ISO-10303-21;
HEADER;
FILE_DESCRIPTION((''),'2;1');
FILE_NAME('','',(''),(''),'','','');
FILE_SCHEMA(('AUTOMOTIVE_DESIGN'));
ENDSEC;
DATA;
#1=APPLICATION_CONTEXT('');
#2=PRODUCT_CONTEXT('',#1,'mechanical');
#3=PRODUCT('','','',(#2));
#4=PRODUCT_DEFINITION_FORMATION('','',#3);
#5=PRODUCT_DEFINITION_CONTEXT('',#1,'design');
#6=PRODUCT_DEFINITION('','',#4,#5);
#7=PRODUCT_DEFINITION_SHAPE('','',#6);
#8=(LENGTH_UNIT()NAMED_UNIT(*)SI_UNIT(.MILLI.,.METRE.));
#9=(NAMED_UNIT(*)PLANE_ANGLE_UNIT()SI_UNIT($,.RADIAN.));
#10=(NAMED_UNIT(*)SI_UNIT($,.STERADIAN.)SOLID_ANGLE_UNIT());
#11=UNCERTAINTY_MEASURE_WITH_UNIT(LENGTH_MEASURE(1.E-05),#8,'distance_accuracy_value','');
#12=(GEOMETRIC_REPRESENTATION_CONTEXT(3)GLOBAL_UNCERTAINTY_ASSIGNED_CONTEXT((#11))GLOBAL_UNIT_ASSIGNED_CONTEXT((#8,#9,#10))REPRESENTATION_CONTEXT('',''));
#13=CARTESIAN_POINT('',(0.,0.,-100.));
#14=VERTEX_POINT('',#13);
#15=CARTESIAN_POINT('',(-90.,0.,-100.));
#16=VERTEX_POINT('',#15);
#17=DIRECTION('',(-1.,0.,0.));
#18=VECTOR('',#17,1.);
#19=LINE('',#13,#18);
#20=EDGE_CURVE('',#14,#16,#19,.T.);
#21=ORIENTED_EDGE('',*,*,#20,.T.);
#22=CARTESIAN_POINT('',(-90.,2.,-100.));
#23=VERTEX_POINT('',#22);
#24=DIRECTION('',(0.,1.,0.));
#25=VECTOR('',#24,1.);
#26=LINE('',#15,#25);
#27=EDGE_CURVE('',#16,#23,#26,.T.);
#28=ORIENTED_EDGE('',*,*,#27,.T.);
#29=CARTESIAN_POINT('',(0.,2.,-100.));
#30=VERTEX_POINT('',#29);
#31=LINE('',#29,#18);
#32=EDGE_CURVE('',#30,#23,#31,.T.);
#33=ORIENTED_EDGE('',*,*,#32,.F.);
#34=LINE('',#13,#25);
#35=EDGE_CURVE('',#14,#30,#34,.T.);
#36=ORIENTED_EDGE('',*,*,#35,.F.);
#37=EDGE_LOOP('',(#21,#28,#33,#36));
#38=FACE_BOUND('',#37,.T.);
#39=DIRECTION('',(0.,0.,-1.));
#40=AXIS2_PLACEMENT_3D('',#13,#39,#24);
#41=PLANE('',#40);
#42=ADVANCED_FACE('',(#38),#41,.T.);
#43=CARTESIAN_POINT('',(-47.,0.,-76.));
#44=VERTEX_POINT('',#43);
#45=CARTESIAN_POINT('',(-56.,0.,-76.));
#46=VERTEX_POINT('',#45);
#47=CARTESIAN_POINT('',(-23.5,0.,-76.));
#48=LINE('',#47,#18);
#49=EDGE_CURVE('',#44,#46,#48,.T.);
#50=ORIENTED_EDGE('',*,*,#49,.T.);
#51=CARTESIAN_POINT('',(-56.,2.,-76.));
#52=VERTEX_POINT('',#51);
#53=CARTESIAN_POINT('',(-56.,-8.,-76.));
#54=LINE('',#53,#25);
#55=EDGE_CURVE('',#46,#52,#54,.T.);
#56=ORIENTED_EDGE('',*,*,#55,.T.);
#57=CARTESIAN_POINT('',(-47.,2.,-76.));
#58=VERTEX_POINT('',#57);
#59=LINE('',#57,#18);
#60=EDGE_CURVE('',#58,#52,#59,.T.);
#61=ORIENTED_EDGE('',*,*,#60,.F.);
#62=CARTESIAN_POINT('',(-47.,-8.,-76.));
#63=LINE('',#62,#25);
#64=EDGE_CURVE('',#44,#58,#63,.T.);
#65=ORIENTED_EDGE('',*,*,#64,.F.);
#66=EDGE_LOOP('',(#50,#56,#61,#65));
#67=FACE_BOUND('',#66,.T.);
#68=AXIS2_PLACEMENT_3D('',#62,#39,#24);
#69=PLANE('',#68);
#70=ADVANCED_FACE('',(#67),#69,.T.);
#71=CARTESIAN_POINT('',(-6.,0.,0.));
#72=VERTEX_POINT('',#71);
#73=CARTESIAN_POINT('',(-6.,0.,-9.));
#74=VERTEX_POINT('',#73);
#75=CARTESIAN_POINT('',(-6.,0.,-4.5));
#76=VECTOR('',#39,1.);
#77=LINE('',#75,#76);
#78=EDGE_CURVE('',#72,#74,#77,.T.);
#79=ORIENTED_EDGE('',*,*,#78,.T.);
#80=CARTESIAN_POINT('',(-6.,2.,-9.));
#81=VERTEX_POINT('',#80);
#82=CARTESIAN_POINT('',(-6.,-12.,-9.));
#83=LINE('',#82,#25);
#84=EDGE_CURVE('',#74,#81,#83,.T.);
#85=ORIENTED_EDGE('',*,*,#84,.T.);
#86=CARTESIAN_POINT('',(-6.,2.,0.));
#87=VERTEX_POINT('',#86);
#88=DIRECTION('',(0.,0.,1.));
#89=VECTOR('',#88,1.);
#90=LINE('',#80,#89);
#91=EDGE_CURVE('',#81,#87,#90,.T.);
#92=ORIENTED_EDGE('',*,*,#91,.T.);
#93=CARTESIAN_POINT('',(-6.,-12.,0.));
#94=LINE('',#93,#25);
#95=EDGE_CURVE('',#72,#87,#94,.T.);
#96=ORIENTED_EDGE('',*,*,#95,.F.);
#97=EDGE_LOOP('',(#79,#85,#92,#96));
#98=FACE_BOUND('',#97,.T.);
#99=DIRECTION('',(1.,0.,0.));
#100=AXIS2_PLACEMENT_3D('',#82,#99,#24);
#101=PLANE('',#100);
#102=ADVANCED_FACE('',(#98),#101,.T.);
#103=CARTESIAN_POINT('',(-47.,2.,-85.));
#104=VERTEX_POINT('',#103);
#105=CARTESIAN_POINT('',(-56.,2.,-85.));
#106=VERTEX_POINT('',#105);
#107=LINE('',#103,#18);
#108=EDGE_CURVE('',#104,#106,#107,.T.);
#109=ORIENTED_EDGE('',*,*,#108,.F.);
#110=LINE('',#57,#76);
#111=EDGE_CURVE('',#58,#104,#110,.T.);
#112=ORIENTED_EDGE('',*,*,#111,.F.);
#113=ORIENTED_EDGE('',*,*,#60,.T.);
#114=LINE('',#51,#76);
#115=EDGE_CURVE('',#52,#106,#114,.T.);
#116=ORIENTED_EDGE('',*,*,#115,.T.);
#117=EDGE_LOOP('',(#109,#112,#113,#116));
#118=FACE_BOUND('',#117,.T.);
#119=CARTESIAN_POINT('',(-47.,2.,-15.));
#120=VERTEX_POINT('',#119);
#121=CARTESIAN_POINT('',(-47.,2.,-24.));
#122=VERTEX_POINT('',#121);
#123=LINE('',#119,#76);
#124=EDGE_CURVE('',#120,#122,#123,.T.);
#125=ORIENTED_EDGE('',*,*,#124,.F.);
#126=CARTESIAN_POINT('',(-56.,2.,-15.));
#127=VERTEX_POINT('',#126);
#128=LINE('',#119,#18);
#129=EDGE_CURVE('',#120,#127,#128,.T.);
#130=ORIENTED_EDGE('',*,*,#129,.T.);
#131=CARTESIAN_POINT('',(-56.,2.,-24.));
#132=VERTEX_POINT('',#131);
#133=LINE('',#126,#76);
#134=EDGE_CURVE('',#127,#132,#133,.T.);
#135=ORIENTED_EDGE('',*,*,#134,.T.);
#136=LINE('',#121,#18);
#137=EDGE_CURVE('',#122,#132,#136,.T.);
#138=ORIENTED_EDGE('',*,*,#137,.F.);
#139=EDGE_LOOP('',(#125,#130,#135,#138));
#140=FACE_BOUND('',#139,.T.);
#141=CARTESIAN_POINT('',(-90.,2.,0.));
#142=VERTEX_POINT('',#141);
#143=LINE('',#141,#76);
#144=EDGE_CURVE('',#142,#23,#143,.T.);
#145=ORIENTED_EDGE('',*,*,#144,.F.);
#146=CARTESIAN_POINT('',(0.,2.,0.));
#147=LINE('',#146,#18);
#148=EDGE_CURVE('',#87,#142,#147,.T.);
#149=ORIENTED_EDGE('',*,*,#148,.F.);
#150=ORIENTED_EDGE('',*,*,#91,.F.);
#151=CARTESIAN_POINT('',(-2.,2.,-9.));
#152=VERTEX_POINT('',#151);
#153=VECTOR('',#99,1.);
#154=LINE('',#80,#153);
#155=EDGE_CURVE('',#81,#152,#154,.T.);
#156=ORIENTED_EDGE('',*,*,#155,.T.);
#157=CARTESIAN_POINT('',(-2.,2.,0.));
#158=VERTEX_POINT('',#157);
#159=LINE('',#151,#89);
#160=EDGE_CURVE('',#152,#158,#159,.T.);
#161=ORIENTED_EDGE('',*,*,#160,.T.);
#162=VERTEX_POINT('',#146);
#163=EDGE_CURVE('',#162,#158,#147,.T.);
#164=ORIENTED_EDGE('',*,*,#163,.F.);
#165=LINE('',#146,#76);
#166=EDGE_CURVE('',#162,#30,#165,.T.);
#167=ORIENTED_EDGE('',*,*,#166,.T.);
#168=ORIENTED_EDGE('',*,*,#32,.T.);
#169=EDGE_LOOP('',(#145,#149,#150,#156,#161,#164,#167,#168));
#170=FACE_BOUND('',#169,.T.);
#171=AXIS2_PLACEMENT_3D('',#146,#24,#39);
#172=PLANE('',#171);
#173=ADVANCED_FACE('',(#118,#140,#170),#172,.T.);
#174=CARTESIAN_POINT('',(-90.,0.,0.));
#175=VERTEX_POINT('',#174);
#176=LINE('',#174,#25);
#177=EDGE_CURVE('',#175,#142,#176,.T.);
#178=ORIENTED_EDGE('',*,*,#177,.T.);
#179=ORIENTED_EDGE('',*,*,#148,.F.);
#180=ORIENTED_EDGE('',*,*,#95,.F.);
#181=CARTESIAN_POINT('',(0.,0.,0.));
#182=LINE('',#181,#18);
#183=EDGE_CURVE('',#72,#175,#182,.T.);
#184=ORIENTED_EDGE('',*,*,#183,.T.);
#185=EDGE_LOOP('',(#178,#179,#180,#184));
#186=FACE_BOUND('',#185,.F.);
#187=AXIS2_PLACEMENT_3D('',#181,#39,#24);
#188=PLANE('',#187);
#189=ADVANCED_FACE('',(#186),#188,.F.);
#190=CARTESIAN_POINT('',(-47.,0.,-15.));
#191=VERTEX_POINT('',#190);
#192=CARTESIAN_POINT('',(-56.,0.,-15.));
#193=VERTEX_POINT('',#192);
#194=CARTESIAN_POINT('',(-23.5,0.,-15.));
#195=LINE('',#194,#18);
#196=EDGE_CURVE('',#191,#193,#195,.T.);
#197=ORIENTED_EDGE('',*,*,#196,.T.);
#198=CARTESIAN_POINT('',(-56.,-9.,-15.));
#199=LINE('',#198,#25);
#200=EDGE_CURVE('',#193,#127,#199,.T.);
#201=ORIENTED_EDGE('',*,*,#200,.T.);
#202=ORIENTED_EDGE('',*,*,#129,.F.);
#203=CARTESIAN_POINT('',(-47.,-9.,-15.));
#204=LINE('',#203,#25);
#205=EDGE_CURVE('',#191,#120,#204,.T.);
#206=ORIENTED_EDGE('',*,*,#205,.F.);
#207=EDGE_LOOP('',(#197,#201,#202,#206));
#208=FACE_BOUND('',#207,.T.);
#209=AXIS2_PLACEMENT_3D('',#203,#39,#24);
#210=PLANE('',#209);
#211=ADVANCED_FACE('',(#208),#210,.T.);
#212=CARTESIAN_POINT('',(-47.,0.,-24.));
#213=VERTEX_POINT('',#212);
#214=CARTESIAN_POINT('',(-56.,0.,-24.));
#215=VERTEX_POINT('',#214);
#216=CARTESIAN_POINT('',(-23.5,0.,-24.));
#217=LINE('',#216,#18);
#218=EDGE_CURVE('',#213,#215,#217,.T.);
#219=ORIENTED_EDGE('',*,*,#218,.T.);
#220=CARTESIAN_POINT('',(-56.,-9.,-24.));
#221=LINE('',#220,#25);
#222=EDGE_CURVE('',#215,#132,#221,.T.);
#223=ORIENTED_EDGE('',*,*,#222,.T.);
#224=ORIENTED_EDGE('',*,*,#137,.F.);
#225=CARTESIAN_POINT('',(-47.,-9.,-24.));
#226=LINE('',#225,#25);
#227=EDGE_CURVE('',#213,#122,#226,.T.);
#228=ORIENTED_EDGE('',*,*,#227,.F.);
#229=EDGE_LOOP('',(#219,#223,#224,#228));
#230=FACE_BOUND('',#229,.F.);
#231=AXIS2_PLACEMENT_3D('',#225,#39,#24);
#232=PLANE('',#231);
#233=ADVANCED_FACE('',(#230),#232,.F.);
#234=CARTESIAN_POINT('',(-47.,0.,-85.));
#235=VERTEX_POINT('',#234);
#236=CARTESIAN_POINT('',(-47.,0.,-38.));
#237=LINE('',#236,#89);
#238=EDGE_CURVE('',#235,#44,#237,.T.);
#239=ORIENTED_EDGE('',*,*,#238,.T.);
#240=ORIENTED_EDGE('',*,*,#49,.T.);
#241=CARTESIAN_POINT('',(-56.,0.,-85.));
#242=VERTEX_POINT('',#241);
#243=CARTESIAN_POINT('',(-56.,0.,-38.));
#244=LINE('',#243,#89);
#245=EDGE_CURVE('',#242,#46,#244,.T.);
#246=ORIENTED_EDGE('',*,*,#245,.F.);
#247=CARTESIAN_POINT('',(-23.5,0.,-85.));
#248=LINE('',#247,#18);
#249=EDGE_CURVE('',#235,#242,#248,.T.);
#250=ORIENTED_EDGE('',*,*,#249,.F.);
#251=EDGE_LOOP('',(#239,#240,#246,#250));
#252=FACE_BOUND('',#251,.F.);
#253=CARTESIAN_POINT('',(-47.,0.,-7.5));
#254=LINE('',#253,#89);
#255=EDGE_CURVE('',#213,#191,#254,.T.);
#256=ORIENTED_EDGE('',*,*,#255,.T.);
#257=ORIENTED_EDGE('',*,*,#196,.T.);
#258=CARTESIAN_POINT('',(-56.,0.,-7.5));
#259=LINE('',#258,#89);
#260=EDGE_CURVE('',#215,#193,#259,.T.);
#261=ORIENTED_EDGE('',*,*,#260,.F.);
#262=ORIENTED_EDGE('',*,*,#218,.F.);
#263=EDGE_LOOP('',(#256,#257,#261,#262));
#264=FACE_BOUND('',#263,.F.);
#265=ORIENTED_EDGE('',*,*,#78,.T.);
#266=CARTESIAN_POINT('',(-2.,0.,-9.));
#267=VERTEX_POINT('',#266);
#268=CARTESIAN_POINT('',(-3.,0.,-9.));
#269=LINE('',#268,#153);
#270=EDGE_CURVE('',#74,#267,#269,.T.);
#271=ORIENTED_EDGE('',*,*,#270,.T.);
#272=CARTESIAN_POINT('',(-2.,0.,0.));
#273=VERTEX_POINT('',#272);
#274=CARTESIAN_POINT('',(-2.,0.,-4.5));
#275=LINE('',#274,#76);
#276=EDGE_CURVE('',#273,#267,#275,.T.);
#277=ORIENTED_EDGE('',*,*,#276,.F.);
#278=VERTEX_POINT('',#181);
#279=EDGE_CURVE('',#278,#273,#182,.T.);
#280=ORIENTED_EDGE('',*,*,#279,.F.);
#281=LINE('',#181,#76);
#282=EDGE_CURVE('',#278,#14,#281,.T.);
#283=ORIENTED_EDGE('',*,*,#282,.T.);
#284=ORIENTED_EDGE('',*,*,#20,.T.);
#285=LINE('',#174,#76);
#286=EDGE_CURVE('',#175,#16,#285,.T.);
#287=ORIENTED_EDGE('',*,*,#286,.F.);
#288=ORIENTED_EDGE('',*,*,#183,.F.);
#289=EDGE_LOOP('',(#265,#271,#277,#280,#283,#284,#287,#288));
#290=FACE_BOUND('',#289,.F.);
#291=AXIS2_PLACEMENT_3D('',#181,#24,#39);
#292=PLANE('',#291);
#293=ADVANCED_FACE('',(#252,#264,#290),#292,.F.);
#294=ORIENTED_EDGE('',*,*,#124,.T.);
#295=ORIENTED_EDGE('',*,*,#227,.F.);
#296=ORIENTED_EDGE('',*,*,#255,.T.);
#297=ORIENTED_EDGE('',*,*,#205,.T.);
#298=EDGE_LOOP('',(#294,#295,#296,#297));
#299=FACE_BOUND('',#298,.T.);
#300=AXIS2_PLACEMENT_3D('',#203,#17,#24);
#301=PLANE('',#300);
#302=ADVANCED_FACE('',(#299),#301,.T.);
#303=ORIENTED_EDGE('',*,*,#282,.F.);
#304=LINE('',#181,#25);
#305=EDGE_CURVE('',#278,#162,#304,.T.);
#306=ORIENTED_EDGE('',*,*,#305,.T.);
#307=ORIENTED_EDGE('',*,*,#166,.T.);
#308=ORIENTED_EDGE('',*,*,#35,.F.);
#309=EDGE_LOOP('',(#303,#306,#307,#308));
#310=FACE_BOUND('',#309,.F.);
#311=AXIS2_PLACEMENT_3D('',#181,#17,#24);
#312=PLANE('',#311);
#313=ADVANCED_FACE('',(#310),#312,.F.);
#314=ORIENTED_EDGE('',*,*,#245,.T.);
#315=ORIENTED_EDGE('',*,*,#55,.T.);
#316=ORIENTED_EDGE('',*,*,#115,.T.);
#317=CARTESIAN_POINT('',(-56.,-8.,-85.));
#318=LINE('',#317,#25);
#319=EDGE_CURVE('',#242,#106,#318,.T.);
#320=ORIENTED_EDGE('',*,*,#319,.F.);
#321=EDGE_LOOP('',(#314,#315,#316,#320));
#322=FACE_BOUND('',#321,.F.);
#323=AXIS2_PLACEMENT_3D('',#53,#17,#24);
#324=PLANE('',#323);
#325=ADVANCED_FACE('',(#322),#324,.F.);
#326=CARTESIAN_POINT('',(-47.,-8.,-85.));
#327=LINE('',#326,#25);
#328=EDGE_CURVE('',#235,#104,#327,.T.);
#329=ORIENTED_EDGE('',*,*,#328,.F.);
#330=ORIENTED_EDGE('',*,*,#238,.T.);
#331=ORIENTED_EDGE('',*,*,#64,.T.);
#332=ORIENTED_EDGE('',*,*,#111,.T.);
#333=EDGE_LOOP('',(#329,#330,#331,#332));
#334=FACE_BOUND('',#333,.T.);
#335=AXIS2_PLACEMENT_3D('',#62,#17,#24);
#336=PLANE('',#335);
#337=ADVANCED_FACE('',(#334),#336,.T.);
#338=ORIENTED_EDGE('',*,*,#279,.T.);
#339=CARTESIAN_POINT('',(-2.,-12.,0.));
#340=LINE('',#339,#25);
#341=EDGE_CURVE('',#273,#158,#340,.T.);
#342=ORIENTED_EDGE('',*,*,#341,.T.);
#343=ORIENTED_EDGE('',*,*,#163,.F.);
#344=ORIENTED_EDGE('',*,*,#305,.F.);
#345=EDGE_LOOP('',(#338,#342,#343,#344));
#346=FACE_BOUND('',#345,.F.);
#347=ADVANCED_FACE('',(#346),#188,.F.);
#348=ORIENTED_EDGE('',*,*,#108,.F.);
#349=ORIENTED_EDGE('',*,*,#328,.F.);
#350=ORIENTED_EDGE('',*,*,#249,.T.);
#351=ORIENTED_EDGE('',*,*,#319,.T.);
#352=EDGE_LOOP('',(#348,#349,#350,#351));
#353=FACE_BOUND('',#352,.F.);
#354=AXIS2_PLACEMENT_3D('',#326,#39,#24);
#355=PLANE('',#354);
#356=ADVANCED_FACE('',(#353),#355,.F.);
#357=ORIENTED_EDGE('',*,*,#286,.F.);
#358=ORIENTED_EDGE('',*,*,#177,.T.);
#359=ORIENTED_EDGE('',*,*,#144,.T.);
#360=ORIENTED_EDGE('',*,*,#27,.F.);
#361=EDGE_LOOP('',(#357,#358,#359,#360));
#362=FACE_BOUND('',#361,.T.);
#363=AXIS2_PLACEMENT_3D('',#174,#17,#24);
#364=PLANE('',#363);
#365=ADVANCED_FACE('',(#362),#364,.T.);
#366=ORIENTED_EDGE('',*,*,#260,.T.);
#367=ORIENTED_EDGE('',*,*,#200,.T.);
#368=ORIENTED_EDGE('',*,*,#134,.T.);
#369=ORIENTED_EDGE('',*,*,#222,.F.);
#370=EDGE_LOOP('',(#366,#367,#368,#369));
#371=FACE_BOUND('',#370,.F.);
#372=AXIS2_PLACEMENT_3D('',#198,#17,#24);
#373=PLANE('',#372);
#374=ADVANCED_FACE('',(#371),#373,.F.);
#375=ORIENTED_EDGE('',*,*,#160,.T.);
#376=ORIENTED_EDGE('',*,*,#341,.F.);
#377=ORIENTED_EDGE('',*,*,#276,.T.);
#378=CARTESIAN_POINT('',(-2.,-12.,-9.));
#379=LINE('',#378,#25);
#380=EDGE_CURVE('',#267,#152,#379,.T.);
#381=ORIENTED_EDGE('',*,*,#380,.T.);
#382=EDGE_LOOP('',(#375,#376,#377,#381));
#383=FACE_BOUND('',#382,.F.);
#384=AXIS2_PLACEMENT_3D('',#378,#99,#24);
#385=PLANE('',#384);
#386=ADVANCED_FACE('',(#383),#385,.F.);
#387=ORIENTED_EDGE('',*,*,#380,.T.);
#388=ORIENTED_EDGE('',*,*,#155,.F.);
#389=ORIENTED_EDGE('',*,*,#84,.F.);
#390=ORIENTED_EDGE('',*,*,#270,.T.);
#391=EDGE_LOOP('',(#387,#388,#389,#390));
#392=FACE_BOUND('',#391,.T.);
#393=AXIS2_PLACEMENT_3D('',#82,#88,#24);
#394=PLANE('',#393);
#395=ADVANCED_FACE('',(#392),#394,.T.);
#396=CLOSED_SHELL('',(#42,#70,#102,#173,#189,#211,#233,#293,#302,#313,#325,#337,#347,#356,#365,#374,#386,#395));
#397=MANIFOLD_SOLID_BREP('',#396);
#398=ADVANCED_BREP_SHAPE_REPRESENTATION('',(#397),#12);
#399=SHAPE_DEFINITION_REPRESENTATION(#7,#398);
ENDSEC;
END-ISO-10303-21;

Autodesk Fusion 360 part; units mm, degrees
box "BoxPrimitive5" add length 100 width 90 height 2 placed x (0, 0, -1) y (-1, 0, 0) z (0, 1, 0) at (0, 0, 0)
box "BoxPrimitive6" cut length 9 width 4 height -14 placed x (0, 0, 1) y (1, 0, 0) z (0, 1, 0) at (-6, 2, -9)
box "BoxPrimitive7" cut length 9 width 9 height -11 placed x (0, 0, -1) y (-1, 0, 0) z (0, 1, 0) at (-47, 2, -15)
box "BoxPrimitive8" cut length 9 width 9 height -10 placed x (0, 0, -1) y (-1, 0, 0) z (0, 1, 0) at (-47, 2, -76)
